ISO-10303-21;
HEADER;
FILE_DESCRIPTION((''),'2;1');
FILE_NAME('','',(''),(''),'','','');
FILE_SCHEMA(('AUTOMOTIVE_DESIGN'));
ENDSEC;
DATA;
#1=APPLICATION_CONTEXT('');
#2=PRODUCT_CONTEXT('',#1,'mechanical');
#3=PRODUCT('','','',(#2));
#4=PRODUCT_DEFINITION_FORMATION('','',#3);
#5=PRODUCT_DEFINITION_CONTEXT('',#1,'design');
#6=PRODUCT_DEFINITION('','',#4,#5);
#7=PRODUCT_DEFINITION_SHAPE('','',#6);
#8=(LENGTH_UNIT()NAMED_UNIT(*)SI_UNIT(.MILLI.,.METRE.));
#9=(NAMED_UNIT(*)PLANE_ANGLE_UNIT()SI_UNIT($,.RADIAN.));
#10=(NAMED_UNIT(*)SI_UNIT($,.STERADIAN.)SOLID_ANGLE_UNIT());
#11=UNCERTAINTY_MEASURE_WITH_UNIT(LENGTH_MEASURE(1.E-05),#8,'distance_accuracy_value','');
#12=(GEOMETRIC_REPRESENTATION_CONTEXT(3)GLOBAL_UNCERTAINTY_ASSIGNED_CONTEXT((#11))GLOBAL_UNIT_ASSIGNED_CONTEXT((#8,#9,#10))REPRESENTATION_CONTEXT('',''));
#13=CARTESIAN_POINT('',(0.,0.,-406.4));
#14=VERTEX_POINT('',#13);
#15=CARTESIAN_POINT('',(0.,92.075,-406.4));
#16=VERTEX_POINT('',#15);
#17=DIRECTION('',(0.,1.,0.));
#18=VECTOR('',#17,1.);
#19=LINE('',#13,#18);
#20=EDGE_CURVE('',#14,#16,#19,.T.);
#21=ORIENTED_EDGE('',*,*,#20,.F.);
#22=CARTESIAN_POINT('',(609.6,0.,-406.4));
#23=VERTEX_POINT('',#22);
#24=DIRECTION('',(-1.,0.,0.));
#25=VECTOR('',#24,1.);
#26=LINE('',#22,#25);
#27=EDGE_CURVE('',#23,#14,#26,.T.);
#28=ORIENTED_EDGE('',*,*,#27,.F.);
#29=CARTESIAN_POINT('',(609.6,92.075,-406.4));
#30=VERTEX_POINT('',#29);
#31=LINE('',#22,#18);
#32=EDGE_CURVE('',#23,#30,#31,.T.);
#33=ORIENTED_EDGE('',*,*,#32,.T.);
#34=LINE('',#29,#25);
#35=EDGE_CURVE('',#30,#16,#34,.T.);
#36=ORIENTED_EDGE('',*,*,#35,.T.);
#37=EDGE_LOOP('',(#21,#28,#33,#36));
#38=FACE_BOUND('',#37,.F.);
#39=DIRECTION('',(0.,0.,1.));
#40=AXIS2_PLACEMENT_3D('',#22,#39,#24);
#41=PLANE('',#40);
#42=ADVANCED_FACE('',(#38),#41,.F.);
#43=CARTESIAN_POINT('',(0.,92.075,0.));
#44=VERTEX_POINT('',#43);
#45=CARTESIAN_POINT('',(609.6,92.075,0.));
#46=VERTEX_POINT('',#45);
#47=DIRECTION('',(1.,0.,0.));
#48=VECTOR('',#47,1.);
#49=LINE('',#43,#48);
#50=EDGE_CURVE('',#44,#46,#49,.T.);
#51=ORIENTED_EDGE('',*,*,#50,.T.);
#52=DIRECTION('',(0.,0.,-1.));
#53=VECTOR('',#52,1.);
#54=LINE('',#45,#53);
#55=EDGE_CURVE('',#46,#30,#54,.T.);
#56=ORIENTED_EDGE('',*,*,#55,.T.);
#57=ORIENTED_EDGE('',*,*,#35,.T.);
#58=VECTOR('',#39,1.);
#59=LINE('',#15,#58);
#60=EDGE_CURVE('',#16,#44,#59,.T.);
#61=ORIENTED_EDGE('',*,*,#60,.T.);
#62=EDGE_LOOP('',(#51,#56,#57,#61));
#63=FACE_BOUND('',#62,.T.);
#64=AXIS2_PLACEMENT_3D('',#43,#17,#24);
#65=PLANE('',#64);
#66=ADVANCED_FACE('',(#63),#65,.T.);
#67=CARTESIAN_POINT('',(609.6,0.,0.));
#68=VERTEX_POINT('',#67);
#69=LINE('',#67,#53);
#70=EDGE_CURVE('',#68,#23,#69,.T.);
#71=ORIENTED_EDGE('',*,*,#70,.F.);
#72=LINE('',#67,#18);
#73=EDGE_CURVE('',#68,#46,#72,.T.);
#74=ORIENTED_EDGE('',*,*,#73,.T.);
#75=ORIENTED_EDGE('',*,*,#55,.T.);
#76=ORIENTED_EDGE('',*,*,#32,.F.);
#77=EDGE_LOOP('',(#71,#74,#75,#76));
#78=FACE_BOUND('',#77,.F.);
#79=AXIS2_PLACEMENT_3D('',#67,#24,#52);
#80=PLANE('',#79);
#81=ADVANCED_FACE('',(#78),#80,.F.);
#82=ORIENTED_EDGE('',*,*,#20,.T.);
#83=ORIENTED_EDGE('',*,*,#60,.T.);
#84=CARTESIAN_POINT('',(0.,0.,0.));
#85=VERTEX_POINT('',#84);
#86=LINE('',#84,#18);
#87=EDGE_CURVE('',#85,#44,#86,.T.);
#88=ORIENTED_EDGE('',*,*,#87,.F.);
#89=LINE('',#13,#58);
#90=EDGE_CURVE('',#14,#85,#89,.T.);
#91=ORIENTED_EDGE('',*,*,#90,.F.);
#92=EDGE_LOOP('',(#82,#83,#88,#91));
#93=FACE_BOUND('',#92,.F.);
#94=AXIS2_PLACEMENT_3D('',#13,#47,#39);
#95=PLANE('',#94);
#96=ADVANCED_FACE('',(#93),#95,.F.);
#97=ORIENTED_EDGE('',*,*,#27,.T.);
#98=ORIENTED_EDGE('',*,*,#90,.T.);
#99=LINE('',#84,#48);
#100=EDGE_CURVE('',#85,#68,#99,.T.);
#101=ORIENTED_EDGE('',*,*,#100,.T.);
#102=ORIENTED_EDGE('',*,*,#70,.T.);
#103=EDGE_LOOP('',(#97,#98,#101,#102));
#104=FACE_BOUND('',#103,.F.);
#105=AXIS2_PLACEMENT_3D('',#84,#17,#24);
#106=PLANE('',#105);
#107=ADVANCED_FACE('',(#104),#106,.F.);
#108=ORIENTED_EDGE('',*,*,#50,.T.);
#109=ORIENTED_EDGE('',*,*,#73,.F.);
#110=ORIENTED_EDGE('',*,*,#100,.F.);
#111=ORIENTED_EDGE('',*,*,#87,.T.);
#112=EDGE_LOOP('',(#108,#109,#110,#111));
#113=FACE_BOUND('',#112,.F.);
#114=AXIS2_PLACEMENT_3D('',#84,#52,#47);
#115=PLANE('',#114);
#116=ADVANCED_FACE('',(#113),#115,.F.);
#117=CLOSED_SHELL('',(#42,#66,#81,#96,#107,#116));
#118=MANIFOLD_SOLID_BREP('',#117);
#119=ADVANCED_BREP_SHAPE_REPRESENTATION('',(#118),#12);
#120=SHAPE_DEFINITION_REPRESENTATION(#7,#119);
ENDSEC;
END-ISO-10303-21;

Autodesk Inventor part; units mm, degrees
ref_plane "YZ Plane" through (0, 0, 0) normal (1, 0, 0) x (0, 1, 0)
ref_plane "XZ Plane" through (0, 0, 0) normal (0, 1, 0) x (-1, 0, 0)
ref_plane "XY Plane" through (0, 0, 0) normal (0, 0, 1) x (1, 0, 0)
sketch "Sketch2" plane through (0, 0, 0) normal (0, 1, 0) x (-1, 0, 0)
  line L0 (0, 0) -> (-609.6, 0)
  line L1 (-609.6, 0) -> (-609.6, -406.4)
  line L2 (-609.6, -406.4) -> (0, -406.4)
  line L3 (0, -406.4) -> (0, 0)
  dimension "d3" = 609.6
  dimension "d4" = 406.4
extrude "Extrusion1" add sketch "Sketch2" along normal blind 92.075
properties part number "Wall_Panel"
